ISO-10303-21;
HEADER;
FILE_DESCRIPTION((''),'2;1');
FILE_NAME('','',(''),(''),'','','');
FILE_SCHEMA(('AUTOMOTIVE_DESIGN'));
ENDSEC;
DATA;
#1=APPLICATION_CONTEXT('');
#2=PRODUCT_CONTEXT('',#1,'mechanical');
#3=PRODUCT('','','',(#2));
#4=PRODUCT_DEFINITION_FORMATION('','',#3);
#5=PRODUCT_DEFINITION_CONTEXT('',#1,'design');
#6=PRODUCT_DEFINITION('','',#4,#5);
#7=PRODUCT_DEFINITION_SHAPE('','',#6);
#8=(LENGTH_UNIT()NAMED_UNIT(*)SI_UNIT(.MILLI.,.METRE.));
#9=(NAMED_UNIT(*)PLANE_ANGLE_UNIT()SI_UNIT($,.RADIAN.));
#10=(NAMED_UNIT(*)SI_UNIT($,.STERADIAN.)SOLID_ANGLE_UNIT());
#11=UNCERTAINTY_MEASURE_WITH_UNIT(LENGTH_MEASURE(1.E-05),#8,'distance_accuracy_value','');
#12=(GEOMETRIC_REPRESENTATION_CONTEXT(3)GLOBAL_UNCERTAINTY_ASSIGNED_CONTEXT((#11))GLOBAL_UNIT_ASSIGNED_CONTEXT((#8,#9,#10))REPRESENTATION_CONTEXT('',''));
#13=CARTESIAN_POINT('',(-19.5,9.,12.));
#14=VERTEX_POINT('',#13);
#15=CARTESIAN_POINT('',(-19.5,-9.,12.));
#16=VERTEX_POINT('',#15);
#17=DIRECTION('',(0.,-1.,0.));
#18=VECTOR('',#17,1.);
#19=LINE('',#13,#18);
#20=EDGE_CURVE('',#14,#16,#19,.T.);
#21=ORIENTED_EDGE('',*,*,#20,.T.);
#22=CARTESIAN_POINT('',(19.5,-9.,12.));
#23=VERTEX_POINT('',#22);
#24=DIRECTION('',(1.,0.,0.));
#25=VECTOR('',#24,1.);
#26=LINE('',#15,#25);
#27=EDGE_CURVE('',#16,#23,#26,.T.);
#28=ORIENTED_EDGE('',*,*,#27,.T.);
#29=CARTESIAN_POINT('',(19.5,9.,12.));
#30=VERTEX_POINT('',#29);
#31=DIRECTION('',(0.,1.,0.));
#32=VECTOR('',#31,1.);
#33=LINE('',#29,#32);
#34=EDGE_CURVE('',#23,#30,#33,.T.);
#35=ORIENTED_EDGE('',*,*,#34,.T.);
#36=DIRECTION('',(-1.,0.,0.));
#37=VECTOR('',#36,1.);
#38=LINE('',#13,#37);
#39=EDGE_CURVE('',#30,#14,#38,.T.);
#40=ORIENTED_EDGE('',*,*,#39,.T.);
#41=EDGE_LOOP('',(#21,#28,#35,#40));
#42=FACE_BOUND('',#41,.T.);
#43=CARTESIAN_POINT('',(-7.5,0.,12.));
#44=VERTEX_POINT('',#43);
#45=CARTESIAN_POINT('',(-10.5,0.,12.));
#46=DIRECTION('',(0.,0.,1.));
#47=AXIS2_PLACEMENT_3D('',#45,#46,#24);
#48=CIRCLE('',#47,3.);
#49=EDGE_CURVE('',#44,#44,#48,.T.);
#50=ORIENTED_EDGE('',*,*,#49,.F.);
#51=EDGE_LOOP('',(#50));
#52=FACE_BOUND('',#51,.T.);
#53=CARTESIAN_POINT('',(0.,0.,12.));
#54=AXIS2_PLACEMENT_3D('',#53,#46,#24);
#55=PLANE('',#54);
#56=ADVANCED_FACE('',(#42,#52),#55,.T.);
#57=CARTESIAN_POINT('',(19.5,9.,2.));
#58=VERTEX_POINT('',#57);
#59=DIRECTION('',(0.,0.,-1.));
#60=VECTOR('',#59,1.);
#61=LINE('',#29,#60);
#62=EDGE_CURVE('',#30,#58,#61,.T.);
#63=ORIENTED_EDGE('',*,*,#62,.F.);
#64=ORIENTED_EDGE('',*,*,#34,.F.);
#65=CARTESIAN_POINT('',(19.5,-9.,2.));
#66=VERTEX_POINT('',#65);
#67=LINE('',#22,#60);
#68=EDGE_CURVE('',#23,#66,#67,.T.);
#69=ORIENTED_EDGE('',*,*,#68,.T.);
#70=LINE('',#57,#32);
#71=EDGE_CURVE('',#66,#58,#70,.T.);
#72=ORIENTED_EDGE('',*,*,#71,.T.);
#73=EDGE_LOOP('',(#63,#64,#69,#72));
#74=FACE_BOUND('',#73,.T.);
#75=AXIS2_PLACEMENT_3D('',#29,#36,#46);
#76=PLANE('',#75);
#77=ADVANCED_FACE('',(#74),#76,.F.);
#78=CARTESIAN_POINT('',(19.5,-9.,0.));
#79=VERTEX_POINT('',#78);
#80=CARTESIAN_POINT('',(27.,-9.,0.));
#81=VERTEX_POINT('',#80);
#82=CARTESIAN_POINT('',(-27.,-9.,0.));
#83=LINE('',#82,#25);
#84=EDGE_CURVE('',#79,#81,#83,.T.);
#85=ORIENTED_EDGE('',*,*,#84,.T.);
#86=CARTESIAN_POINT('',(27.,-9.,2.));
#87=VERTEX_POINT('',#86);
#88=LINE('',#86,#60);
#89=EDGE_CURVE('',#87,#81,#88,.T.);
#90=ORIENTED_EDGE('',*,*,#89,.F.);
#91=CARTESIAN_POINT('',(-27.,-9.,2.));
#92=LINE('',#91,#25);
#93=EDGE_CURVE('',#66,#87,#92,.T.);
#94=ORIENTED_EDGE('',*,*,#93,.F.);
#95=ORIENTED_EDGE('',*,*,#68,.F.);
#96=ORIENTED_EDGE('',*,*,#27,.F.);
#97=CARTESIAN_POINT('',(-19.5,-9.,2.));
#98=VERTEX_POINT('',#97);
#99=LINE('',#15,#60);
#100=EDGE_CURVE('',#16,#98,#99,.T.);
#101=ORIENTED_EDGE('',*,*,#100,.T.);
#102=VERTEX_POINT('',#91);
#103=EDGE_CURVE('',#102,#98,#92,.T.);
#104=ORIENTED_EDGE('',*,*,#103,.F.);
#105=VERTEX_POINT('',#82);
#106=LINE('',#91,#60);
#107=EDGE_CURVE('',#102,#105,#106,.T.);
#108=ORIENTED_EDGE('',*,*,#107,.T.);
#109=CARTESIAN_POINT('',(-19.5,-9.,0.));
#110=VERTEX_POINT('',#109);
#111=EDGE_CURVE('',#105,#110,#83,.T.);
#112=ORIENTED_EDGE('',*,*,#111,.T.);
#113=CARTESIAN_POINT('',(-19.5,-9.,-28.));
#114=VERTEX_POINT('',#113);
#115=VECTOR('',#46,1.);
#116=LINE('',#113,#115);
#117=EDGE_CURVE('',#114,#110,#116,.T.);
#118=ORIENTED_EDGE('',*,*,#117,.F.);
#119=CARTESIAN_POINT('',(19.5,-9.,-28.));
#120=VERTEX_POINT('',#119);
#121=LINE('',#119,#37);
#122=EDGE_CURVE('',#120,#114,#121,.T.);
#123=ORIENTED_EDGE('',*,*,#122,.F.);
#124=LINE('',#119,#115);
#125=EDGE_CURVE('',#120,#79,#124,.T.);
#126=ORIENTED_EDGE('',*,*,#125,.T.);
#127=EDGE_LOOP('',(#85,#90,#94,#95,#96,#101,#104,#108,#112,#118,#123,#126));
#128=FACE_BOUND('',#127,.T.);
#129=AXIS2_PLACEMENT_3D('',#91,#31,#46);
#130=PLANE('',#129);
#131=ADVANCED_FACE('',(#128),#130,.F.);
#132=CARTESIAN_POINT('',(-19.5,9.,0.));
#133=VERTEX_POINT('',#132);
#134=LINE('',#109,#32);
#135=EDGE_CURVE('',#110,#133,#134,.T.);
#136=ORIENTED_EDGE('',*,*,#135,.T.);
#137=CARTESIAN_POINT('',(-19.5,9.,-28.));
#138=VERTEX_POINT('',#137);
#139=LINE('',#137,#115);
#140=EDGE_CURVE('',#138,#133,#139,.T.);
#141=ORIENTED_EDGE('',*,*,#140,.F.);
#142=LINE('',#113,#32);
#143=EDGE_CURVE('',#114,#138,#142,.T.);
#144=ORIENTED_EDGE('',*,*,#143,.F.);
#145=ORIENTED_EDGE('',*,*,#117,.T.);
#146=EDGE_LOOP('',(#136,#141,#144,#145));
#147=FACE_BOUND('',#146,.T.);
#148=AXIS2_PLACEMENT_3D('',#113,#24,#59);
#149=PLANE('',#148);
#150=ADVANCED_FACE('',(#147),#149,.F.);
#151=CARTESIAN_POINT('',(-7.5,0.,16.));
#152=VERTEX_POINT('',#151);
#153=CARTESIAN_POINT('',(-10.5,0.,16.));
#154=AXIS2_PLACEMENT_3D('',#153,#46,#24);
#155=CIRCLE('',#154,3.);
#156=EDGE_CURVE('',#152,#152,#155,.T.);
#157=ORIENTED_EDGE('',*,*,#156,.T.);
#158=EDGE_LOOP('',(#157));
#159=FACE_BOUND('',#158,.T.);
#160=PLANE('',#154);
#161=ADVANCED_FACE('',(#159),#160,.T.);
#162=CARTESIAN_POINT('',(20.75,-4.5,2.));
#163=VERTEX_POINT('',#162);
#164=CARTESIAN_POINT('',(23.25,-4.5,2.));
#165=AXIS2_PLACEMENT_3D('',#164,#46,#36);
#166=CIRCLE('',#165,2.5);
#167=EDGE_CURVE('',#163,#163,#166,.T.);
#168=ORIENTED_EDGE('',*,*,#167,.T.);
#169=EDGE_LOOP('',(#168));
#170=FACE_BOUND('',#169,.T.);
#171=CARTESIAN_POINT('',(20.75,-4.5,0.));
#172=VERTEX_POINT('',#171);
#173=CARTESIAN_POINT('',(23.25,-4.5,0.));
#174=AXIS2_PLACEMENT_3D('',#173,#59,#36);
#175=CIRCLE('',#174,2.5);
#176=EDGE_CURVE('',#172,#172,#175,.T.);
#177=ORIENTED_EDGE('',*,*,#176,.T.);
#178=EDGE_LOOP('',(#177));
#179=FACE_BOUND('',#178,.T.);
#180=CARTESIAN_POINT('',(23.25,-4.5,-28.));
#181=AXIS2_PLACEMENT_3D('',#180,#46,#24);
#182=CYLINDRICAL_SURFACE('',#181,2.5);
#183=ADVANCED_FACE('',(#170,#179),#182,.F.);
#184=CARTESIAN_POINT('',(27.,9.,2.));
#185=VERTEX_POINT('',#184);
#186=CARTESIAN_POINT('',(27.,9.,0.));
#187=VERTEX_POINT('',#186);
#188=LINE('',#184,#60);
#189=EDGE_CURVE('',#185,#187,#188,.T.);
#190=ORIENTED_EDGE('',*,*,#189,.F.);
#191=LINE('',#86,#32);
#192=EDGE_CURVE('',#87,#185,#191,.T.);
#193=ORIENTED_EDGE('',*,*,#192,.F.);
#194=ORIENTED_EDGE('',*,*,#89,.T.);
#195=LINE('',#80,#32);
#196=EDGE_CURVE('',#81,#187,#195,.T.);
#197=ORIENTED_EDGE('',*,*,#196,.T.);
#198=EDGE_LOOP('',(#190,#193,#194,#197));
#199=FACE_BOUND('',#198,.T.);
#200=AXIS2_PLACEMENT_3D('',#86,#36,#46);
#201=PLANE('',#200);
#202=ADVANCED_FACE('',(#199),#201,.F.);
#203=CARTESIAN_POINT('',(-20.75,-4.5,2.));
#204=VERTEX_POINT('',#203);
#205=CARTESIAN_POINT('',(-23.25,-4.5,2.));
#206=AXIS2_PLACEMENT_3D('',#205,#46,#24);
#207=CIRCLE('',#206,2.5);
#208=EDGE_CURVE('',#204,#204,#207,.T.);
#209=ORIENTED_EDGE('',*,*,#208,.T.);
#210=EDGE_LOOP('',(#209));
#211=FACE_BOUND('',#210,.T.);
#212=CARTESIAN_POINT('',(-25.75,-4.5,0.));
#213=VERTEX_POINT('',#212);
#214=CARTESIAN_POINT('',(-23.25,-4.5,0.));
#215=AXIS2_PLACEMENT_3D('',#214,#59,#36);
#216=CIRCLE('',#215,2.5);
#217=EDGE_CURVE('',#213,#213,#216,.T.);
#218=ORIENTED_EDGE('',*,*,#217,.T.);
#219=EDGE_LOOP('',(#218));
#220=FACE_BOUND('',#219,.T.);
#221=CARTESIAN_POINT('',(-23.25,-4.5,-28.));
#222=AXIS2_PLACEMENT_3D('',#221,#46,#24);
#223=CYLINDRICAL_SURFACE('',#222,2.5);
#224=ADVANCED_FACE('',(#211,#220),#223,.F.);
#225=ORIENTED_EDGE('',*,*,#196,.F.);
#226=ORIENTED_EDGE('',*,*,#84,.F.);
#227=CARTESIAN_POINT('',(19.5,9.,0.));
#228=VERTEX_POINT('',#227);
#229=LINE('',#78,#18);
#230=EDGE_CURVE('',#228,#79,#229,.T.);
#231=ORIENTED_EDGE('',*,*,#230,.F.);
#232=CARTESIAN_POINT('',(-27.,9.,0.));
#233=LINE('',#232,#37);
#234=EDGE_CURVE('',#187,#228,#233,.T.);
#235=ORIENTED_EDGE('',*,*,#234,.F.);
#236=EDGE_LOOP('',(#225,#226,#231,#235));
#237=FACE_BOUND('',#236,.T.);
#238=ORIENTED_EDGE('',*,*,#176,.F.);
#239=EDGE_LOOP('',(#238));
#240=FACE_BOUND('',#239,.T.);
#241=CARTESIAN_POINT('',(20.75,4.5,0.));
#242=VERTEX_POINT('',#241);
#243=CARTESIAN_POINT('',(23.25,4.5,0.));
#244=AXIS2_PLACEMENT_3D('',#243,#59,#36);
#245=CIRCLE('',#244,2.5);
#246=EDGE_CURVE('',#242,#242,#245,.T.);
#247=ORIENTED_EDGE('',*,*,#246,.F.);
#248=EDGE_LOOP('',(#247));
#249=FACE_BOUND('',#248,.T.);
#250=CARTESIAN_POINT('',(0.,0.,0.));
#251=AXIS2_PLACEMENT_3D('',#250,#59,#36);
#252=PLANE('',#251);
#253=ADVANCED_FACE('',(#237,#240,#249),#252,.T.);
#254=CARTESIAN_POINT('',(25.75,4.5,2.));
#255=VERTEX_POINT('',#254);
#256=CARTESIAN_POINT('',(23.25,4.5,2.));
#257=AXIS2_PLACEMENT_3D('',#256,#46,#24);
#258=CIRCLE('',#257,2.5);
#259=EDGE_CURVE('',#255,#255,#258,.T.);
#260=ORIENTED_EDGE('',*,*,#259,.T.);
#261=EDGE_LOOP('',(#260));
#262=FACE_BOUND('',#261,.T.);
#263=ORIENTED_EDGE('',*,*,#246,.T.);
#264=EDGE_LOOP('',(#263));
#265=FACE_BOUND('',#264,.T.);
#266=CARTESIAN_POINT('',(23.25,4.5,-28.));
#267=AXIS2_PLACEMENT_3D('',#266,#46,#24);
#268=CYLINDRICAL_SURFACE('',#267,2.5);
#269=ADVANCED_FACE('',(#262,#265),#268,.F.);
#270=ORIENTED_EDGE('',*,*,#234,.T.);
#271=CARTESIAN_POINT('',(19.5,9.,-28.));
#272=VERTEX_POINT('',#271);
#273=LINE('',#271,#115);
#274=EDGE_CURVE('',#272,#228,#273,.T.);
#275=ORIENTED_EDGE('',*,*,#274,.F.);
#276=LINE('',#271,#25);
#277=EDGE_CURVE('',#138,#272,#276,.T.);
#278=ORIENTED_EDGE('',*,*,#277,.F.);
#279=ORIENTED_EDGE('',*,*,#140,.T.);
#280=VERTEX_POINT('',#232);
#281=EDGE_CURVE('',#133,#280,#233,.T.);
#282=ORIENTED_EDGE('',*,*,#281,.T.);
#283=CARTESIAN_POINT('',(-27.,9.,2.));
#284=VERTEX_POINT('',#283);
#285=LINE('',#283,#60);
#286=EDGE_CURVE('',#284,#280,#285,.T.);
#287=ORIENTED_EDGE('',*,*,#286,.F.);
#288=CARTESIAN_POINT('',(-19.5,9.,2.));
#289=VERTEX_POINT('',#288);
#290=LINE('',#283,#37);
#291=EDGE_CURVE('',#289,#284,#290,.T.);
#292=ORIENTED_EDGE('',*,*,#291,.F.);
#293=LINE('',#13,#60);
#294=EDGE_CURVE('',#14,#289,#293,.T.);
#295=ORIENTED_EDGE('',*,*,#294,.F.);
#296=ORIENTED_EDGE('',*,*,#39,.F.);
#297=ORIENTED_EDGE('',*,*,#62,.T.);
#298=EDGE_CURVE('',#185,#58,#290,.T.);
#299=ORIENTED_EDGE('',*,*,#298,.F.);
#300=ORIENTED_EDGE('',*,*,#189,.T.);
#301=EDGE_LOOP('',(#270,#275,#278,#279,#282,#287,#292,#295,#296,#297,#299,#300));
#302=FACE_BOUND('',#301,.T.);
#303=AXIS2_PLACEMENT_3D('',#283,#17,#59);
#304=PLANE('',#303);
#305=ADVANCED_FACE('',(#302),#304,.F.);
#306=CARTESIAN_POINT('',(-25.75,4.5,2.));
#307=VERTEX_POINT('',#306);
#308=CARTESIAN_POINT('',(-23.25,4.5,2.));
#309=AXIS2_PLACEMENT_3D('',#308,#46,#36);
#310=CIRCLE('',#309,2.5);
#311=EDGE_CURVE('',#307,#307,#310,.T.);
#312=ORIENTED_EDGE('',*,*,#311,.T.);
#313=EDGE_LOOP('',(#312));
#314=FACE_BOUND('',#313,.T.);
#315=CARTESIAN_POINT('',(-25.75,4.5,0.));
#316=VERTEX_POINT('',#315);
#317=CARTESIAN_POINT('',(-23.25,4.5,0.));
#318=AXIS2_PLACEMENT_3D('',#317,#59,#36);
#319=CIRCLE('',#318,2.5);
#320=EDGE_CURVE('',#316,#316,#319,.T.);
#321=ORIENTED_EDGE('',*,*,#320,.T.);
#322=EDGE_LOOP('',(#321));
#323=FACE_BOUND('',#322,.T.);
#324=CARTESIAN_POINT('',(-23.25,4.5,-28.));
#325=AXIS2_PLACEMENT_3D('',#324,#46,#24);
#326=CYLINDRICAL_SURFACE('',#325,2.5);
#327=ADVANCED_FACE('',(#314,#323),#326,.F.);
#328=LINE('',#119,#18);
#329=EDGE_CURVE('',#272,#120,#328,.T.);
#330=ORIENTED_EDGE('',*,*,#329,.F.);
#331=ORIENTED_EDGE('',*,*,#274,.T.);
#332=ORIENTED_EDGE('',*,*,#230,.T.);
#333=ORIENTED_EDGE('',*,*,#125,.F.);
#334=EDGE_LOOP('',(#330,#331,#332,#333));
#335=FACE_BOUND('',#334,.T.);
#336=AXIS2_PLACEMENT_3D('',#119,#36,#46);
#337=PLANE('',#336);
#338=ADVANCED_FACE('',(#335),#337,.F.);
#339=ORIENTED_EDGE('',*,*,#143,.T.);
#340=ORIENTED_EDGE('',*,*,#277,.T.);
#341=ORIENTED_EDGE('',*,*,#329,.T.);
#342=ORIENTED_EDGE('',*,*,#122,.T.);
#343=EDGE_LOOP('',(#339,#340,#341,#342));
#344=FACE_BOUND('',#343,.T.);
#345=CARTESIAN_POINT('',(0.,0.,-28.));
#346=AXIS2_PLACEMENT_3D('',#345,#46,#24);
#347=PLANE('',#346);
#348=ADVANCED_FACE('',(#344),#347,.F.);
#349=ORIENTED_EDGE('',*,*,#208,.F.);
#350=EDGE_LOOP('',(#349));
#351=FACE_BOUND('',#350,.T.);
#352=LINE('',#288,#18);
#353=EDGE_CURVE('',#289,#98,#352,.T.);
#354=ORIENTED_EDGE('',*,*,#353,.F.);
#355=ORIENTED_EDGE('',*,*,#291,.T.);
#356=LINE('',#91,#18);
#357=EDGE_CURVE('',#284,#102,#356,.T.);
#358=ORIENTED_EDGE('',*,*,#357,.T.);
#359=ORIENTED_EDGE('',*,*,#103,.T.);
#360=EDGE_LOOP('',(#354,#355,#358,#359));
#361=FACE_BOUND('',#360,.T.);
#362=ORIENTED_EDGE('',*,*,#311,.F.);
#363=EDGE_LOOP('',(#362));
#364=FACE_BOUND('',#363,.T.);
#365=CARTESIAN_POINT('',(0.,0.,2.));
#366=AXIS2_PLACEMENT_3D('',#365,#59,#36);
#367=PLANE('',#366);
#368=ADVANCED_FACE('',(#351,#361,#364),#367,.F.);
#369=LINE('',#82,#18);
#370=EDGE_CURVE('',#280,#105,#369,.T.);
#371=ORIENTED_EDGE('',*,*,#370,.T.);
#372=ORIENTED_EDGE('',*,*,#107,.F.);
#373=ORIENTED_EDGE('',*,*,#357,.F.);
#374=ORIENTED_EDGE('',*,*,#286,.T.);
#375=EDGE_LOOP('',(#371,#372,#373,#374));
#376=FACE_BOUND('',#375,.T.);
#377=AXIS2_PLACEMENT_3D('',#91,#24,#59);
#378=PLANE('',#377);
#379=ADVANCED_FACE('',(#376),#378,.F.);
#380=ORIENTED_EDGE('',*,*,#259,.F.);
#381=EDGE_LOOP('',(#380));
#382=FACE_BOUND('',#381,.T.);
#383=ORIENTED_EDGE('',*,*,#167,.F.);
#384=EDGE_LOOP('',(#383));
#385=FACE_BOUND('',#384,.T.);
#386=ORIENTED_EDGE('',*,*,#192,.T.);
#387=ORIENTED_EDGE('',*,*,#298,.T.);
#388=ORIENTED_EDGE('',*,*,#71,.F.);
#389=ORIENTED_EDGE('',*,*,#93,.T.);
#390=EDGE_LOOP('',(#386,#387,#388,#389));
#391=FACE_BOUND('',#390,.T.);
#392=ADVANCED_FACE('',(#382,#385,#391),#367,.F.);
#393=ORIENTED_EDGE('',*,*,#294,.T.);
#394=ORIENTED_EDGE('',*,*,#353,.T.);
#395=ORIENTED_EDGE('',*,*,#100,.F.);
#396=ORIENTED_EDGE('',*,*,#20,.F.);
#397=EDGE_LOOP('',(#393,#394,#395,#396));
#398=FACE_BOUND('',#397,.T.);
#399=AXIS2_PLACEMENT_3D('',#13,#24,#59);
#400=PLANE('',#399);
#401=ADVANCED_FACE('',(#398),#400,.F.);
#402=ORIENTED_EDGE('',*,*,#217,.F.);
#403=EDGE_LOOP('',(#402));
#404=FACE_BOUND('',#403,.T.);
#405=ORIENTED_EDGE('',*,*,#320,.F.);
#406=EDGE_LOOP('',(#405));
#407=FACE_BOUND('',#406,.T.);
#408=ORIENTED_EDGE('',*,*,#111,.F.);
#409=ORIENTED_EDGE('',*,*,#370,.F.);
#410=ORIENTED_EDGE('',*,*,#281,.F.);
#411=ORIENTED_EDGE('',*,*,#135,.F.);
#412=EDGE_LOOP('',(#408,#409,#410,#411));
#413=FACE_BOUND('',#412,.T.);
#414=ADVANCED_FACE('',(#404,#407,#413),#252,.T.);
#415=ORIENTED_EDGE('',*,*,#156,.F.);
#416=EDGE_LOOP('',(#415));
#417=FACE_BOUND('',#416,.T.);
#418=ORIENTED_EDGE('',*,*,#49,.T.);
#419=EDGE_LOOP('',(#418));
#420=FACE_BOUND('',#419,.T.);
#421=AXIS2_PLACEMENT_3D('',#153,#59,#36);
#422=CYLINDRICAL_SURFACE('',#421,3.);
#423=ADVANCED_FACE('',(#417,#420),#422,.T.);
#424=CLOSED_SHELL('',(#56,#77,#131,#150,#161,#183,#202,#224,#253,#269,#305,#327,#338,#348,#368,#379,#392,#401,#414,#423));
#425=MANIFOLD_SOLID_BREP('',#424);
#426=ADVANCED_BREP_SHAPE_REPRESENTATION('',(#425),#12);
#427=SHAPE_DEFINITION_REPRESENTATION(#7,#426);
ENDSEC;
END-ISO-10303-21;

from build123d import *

# Parameters (mm, degrees)
SKETCH_1_W          = 54
SKETCH_1_H          = 18
EXTRUDE_1_DEPTH     = 2
SKETCH_2_W          = 39
SKETCH_2_H          = 18
EXTRUDE_2_DEPTH     = 10
SKETCH_3_R          = 3
EXTRUDE_3_DEPTH     = 4
SKETCH_4_W          = 39
SKETCH_4_H          = 18
EXTRUDE_4_DEPTH     = 28
SKETCH_6_R          = 2.5
CUT_EXTRUDE_1_DEPTH = 42.352146256


with BuildPart() as part:
    # 草图1 → 凸台-拉伸1 (new body)
    with BuildSketch(Plane.XY):
        Rectangle(SKETCH_1_W, SKETCH_1_H)
    extrude(amount=EXTRUDE_1_DEPTH)

    # 草图2 → 凸台-拉伸2 (add)
    with BuildSketch(Plane.XY.offset(2)):
        Rectangle(SKETCH_2_W, SKETCH_2_H)
    extrude(amount=EXTRUDE_2_DEPTH)

    # 草图3 → 凸台-拉伸3 (add)
    with BuildSketch(Plane.XY.offset(12)):
        with Locations((-10.5, 0)):
            Circle(SKETCH_3_R)
    extrude(amount=EXTRUDE_3_DEPTH)

    # 草图4 → 凸台-拉伸4 (add)
    with BuildSketch(Plane(origin=(0, 0, 0), x_dir=(-1, 0, 0), z_dir=(0, 0, -1))):
        Rectangle(SKETCH_4_W, SKETCH_4_H)
    extrude(amount=EXTRUDE_4_DEPTH)

    # 草图6 → 切除-拉伸1 (cut, through all)
    with BuildSketch(Plane.XY.offset(2)):
        with Locations((23.25, 4.5)):
            Circle(SKETCH_6_R)
        with Locations(Location((23.25, -4.5, 0), (0, 0, 180))):
            Circle(SKETCH_6_R)
        with Locations((-23.25, -4.5)):
            Circle(SKETCH_6_R)
        with Locations(Location((-23.25, 4.5, 0), (0, 0, 180))):
            Circle(SKETCH_6_R)
    extrude(amount=-CUT_EXTRUDE_1_DEPTH, mode=Mode.SUBTRACT)


solid = part.part
